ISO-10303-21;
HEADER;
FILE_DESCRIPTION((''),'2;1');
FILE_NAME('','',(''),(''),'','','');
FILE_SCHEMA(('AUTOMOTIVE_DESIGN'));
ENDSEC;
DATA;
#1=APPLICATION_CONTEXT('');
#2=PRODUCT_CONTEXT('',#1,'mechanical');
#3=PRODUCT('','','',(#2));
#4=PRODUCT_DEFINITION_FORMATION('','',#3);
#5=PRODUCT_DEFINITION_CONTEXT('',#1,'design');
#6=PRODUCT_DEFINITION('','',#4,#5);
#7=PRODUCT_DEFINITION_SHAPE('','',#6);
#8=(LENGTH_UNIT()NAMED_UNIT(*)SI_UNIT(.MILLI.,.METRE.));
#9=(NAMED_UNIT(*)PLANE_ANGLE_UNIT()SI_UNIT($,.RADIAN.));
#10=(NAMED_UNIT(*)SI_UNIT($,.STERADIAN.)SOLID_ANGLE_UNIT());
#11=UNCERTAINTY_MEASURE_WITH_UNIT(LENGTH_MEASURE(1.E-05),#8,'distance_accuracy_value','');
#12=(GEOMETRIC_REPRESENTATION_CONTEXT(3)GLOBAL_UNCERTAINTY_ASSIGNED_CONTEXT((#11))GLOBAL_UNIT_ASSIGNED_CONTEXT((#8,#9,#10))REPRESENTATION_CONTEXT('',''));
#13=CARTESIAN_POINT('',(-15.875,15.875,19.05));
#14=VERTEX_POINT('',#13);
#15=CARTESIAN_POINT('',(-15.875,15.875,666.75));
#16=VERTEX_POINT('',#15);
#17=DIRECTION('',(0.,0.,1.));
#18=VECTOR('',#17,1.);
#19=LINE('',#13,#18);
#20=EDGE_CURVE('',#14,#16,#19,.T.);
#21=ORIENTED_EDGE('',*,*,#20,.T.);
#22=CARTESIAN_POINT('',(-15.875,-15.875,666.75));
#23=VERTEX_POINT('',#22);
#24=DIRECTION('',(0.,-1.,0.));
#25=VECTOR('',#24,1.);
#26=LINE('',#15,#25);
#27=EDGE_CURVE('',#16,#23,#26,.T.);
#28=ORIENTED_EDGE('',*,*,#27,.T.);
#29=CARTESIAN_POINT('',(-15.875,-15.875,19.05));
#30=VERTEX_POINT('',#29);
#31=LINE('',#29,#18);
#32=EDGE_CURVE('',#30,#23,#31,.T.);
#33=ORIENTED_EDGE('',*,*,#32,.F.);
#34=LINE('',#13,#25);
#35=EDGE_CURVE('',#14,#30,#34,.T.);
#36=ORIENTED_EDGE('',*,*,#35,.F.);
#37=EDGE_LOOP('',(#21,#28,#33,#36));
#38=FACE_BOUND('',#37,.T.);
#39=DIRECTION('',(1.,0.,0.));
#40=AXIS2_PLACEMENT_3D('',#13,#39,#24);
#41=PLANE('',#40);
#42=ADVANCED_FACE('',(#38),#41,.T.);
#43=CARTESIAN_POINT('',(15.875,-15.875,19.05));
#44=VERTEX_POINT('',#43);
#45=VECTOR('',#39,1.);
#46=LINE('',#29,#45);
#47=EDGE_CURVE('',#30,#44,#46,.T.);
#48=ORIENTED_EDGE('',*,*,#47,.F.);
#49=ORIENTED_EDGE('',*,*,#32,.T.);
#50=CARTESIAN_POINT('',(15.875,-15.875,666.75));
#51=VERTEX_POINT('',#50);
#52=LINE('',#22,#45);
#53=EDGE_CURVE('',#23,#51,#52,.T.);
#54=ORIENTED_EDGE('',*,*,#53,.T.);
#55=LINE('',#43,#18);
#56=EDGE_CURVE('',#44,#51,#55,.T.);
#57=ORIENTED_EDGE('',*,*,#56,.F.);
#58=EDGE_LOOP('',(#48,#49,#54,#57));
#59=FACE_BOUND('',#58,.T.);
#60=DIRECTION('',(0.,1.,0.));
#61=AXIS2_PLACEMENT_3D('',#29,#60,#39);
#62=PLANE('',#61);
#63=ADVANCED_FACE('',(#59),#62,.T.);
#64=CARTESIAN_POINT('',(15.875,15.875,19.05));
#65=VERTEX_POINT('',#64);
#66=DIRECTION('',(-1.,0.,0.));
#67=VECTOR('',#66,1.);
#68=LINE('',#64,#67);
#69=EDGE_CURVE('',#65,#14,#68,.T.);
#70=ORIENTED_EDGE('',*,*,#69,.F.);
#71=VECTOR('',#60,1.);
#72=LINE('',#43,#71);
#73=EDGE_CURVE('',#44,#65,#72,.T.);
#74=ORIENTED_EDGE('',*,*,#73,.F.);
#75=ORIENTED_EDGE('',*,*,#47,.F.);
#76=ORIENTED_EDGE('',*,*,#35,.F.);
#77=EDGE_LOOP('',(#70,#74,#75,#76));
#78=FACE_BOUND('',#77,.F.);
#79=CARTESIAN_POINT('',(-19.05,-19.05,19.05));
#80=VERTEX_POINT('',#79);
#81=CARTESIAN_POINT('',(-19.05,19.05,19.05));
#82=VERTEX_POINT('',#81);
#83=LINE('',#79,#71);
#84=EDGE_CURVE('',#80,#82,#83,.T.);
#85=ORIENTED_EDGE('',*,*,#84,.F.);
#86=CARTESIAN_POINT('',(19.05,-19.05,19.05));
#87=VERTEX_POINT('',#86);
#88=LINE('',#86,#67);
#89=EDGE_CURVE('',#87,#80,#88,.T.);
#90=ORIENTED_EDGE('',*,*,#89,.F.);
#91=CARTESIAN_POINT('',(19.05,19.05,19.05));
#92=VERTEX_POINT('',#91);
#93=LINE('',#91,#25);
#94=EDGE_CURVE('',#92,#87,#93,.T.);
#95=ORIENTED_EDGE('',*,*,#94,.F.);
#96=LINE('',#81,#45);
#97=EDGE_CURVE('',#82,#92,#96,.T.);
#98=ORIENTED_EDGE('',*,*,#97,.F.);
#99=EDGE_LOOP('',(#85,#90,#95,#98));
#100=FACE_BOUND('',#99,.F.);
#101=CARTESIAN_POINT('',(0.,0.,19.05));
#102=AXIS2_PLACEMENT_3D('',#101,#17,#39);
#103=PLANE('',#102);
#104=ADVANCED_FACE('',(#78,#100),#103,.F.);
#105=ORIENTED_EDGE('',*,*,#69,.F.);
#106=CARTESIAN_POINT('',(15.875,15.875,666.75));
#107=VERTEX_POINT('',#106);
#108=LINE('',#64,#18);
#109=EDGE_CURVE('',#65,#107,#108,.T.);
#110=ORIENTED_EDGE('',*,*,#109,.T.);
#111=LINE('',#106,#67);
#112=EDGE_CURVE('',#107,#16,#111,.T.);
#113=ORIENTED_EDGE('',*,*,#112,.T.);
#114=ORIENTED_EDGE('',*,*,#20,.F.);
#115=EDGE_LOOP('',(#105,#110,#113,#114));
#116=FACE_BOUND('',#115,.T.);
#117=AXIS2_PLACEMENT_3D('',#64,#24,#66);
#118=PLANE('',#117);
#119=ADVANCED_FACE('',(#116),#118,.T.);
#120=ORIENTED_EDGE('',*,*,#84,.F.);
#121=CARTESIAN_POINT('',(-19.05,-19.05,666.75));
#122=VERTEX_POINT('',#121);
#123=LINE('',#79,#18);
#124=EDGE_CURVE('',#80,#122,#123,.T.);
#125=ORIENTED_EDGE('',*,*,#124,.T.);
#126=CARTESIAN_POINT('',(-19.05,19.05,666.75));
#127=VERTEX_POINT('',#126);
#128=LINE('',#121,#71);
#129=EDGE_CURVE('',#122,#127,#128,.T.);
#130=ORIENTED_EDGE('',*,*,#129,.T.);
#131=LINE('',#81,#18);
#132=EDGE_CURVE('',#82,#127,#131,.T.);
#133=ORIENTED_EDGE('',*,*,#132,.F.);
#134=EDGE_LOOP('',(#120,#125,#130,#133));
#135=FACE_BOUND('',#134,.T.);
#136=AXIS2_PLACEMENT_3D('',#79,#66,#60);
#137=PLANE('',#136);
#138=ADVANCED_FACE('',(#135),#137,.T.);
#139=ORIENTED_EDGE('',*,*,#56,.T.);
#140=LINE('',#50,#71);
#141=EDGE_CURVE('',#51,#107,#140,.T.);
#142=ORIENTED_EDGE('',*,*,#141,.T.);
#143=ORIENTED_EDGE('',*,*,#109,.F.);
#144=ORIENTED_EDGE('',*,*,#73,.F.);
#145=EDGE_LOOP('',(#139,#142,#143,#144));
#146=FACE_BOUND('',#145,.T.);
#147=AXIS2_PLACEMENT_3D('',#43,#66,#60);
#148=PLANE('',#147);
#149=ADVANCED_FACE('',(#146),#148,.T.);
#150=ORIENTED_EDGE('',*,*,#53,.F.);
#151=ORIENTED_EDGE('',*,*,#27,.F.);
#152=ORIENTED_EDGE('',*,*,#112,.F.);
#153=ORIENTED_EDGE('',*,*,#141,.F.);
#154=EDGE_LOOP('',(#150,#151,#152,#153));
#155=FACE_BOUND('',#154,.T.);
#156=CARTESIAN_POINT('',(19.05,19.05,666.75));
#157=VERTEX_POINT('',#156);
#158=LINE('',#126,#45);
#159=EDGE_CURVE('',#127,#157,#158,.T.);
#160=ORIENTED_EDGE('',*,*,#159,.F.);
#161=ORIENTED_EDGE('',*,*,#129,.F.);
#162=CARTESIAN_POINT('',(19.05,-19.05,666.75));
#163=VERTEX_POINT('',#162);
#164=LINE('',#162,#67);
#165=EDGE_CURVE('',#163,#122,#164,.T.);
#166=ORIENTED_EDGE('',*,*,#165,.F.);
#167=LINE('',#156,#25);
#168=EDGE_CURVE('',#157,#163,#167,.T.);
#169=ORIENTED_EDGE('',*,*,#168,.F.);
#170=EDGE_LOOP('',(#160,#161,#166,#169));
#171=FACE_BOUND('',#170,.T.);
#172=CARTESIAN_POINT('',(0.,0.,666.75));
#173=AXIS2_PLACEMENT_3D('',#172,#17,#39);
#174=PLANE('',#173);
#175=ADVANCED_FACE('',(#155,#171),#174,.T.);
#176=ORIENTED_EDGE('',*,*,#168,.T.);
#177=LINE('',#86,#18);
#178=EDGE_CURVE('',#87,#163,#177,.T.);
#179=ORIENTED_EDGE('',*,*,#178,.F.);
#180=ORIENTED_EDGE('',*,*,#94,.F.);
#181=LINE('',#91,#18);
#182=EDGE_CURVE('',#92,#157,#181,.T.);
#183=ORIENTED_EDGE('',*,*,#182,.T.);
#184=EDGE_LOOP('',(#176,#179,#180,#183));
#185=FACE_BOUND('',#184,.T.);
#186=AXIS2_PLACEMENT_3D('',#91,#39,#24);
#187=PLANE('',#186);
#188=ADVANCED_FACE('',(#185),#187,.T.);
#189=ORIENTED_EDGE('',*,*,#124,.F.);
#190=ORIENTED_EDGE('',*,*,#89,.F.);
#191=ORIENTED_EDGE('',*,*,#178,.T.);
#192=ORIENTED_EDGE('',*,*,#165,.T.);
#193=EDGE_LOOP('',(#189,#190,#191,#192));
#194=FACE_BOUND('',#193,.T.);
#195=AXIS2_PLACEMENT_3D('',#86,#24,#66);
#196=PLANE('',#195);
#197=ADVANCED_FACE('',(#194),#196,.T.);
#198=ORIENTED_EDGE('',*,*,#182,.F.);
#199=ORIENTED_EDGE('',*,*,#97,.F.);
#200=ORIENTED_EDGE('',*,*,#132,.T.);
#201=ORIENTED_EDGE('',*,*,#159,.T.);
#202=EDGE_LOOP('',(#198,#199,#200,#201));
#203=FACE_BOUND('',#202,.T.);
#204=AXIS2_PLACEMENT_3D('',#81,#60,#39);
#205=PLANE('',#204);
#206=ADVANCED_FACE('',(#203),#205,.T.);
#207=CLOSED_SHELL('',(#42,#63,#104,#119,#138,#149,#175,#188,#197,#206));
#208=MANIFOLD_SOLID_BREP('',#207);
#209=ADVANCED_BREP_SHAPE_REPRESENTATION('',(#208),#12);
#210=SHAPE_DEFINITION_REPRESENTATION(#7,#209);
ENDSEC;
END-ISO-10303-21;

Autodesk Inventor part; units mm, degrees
ref_plane "Start Plane" through (0, 0, 19.05) normal (0, 0, 1) x (1, 0, 0)
ref_plane "End Plane" through (0, 0, 666.75) normal (0, 0, 1) x (1, 0, 0)
sketch "Sketch" plane through (0, 0, 0) normal (0, 0, 1) x (1, 0, 0)
  line L0 (-19.05, 19.05) -> (19.05, 19.05)
  line L1 (19.05, 19.05) -> (19.05, -19.05)
  line L2 (19.05, -19.05) -> (-19.05, -19.05)
  line L3 (-19.05, -19.05) -> (-19.05, 19.05)
  line L4 (15.875, 15.875) -> (-15.875, 15.875)
  line L5 (-15.875, 15.875) -> (-15.875, -15.875)
  line L6 (-15.875, -15.875) -> (15.875, -15.875)
  line L7 (15.875, -15.875) -> (15.875, 15.875)
  point P0 (0, 0)
  point P1 (0, 19.05)
  point P2 (-19.05, 0)
  dimension "width" = 38.1
  dimension "d1" = 3.175
extrude "Body" add sketch "Sketch" along normal up to surface (647.7 mm away) from surface at 19.05
sketch "Sketch4" plane through (0, 0, 0) normal (0, 0, 1) x (1, 0, 0)
  line L0 (0, 0) -> (10, 0)
ref_plane "Work Plane4" through (0, 0, 0) normal (0, -1, 0) x (1, 0, 0)
sketch "Sketch5" plane through (0, 0, 0) normal (0, -1, 0) x (1, 0, 0)
  line L0 (-2, 19.05) -> (12, 19.05)
  line L1 (-2, 666.75) -> (12, 666.75)
  dimension "d9" = 647.7
ref_plane "Work Plane5" through (0, 19.05, 666.75) normal (0, 0, 1) x (1, 0, 0)
split "Split1" plane through (0, 19.05, 666.75) removes the side toward (0, 0, 1)
ref_plane "Work Plane6" through (1168.4, 19.05, 19.05) normal (0, 0, -1) x (-1, 0, 0)
split "Split2" plane through (1168.4, 19.05, 19.05) removes the side toward (0, 0, -1)
equation "\"G_OFFSET_START\" = -19.05"
equation "\"G_OFFSET_END\" = -19.05"
equation "\"d4\" = -G_OFFSET_START"
equation "\"d5\" = length + G_OFFSET_END"
equation "\"G_L\" = 723.9"
equation "\"length\" = 685.8"
properties part number "1.5x1.5x.125 Tube" material "Aluminum-6061"
